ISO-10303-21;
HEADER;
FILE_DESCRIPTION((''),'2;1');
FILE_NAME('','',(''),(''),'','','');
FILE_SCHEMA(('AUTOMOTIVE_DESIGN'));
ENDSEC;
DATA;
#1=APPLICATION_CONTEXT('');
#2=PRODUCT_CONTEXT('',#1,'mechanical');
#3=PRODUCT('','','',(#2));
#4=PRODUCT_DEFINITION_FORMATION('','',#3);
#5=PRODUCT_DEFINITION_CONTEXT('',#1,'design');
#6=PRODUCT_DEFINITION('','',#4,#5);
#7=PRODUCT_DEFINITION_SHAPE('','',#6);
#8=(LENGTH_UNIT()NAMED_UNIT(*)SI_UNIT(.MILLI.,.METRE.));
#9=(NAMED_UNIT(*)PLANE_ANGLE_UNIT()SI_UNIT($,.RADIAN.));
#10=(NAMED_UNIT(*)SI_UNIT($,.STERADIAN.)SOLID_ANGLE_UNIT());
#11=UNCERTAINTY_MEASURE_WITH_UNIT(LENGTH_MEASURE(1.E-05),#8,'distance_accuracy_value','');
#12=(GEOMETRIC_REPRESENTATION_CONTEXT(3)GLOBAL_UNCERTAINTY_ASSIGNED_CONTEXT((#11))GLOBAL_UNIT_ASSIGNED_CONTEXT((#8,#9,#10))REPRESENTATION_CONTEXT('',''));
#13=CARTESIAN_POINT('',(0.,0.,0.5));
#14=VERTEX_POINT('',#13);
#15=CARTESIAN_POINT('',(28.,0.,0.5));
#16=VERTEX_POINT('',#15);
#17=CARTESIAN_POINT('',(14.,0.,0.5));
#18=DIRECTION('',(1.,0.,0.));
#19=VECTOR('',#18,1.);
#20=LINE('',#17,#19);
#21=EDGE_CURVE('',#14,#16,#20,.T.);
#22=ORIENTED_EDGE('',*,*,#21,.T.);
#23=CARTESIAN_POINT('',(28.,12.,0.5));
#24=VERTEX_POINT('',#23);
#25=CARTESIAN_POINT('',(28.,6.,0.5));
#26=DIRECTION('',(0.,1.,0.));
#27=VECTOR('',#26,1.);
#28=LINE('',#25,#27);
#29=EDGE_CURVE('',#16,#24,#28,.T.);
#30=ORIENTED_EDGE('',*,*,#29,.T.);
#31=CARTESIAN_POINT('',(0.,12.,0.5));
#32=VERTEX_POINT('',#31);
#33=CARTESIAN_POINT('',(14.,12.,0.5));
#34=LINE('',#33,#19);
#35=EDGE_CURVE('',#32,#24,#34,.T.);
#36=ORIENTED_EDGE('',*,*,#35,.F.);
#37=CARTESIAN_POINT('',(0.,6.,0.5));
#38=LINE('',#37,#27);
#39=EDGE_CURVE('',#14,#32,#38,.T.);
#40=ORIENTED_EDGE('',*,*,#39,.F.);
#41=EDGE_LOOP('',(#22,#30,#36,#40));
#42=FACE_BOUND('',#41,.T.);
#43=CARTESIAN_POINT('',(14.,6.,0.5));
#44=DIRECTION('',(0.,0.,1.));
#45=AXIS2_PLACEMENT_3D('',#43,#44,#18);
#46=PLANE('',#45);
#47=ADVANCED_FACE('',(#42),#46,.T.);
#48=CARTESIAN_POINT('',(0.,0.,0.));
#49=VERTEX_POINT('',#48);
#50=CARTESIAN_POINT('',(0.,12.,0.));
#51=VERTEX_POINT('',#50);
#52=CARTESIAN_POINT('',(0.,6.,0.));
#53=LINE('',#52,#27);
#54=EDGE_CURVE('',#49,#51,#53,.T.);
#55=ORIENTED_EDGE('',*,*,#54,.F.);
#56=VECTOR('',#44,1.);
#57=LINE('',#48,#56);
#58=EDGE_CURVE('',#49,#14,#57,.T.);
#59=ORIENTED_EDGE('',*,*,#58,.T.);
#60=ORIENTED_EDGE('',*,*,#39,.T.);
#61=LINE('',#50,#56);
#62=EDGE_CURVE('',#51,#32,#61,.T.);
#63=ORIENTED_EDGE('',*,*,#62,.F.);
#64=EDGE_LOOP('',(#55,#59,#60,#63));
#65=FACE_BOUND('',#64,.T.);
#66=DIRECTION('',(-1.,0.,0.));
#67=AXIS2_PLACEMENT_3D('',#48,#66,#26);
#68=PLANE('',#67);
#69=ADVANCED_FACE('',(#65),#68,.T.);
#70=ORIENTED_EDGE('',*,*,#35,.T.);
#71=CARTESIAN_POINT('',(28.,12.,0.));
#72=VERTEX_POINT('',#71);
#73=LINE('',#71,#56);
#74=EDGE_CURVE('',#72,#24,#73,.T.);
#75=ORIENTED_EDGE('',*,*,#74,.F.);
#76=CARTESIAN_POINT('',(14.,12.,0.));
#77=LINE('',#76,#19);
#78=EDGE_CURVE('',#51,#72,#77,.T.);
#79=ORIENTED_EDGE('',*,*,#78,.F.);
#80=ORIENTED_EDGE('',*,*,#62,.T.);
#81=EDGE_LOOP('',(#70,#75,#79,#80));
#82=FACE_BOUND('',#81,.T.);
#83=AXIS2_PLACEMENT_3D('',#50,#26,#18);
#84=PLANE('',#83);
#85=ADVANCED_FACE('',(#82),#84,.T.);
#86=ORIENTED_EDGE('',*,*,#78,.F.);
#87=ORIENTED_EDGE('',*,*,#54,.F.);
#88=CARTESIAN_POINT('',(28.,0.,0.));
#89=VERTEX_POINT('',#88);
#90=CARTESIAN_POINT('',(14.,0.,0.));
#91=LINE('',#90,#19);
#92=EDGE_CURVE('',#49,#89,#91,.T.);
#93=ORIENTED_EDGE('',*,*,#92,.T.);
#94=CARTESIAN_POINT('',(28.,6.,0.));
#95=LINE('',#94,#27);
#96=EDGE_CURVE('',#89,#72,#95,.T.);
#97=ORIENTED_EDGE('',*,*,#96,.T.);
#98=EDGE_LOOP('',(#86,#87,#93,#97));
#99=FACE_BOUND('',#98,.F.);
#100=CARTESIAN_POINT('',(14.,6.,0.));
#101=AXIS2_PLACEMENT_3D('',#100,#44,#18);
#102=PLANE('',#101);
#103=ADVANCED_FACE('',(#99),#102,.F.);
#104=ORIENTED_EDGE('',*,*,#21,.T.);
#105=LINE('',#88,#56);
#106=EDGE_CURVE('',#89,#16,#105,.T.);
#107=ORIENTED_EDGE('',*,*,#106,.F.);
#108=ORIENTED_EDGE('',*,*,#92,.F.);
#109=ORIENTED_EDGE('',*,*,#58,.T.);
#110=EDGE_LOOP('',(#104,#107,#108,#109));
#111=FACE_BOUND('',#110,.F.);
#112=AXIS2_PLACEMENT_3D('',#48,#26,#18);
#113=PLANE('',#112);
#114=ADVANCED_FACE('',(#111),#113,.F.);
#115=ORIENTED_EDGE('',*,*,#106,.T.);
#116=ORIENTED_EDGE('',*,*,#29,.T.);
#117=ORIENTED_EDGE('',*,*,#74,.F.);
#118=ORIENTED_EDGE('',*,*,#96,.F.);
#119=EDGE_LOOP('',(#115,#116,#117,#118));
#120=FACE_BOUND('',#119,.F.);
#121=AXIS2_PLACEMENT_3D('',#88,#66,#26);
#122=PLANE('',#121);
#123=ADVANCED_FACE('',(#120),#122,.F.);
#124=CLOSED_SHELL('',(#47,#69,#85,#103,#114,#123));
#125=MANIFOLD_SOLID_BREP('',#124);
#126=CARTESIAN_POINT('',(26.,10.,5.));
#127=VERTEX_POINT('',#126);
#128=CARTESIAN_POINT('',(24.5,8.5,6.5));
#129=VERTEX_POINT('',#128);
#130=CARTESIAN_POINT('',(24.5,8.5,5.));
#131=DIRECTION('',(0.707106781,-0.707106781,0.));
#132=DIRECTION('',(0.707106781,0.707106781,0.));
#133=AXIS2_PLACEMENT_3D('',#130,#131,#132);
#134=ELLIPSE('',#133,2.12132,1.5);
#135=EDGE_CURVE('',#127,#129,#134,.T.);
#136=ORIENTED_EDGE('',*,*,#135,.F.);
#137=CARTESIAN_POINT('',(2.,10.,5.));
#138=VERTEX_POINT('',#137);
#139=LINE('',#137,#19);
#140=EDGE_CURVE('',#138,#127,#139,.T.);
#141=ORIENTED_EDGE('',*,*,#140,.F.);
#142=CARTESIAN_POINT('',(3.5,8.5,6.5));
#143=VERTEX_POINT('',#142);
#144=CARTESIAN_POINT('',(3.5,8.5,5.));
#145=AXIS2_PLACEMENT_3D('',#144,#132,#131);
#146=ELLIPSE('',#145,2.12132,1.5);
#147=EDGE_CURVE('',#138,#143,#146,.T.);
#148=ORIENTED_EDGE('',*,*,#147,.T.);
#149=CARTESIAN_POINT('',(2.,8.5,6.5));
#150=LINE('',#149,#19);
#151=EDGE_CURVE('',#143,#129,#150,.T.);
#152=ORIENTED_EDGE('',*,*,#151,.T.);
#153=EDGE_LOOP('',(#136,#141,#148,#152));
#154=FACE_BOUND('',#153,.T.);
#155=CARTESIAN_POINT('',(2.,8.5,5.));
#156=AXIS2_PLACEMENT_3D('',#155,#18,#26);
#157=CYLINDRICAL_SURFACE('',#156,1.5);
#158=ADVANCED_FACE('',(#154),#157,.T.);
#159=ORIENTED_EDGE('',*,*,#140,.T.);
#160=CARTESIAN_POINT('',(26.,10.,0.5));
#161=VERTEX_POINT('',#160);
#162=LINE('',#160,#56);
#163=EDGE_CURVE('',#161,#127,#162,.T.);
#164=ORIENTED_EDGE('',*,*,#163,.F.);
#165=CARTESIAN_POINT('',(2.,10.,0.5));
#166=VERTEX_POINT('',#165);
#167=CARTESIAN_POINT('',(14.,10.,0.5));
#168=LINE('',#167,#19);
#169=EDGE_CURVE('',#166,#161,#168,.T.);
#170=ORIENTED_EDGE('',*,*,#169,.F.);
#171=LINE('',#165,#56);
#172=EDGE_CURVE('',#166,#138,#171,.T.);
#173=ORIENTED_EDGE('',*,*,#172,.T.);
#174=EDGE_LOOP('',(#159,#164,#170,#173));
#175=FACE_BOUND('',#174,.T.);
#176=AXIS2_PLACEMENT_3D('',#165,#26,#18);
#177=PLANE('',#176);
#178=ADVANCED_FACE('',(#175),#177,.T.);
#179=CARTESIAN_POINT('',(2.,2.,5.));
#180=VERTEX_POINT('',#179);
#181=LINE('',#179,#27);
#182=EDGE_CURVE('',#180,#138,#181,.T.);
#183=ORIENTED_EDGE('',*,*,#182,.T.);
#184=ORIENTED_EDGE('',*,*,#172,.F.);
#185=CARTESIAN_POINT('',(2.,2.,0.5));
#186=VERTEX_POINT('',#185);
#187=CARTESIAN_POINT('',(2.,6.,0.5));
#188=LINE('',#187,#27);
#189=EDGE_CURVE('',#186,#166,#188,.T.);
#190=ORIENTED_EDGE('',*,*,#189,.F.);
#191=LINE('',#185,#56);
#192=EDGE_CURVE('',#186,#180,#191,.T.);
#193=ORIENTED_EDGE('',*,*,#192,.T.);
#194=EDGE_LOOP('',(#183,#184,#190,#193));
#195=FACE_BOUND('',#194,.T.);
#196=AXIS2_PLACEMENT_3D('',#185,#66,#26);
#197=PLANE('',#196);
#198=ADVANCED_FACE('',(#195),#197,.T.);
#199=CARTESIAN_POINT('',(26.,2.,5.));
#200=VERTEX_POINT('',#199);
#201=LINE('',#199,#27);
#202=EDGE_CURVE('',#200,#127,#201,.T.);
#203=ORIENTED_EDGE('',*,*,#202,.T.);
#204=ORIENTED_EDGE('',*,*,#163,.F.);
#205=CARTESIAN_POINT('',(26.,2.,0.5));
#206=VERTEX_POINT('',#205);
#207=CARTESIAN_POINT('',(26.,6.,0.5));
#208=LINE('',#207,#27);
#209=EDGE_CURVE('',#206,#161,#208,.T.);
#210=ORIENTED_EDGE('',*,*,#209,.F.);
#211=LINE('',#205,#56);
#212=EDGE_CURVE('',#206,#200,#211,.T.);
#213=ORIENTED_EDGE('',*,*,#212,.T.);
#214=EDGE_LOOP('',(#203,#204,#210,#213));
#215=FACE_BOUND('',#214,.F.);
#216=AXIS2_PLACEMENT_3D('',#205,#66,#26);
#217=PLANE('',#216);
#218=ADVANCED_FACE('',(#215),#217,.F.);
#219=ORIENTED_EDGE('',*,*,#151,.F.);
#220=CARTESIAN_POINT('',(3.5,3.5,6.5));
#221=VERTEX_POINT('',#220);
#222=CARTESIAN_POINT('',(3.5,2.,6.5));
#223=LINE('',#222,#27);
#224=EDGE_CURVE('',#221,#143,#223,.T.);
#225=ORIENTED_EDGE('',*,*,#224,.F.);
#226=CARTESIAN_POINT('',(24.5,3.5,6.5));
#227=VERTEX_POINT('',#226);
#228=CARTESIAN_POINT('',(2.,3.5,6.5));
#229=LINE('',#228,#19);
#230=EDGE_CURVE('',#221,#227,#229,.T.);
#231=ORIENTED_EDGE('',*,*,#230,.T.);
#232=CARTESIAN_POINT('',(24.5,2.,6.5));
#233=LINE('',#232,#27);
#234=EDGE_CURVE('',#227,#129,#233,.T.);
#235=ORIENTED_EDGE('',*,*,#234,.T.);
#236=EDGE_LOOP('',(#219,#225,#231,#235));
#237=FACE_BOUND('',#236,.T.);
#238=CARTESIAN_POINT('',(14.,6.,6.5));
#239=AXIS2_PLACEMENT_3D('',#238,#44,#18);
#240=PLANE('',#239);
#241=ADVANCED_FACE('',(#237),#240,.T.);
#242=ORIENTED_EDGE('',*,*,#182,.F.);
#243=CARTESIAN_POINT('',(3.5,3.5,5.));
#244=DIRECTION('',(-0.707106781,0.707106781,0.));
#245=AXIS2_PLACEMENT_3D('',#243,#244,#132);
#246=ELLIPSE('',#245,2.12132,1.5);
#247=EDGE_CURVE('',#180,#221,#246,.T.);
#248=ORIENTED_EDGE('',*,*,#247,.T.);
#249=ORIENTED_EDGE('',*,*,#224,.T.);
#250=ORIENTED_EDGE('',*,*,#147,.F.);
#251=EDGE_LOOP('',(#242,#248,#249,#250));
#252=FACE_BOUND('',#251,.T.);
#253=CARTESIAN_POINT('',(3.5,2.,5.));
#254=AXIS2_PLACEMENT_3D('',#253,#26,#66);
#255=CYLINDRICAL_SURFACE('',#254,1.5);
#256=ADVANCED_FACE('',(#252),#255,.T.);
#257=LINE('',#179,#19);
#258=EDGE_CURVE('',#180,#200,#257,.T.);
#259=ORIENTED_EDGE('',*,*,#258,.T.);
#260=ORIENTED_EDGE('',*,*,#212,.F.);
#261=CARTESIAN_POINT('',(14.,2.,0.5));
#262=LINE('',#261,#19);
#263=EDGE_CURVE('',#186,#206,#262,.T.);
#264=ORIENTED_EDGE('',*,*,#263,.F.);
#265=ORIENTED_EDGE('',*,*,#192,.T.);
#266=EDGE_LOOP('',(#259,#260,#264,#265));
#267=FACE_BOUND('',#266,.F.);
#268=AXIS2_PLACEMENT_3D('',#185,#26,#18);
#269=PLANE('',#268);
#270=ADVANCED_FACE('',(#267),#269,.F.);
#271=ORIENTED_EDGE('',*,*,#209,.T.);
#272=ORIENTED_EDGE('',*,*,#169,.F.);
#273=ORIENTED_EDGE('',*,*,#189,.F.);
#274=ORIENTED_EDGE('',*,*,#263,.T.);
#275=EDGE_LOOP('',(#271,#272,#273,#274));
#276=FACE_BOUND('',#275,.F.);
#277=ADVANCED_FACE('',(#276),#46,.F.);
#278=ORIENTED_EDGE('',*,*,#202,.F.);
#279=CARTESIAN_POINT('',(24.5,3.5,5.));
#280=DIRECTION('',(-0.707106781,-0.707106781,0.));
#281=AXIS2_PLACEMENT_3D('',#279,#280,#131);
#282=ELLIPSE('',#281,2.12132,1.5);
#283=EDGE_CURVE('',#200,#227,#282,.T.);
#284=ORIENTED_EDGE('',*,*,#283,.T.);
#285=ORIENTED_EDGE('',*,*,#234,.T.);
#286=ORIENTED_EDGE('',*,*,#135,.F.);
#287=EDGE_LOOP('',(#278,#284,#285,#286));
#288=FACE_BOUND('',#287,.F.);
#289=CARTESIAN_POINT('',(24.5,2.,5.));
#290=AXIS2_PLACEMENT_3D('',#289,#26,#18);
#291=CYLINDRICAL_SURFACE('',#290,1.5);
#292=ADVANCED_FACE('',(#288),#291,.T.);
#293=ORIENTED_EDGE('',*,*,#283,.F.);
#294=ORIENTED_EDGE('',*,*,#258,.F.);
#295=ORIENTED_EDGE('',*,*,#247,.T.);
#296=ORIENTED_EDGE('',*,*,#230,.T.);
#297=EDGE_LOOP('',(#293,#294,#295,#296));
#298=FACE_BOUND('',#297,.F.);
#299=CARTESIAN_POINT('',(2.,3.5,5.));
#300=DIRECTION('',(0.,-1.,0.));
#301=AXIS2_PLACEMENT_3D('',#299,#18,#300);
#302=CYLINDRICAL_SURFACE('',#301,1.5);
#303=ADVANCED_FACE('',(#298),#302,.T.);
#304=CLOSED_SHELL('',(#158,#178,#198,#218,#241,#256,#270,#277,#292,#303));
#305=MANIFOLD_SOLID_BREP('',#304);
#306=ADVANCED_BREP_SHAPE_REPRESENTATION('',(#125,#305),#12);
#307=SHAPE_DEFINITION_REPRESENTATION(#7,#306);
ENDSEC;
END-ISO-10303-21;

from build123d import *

# Parameters (mm, degrees)
SKETCH_W     = 28
SKETCH_H     = 12
PAD_DEPTH    = 0.5
SKETCH001_W  = 24
SKETCH001_H  = 8
PAD001_DEPTH = 6
FILLET_R     = 1.5


with BuildPart() as pad:
    # Sketch → Pad (new body)
    with BuildSketch(Plane.XY):
        with Locations((14, 6)):
            Rectangle(SKETCH_W, SKETCH_H)
    extrude(amount=PAD_DEPTH)


with BuildPart() as fillet_body:
    # Sketch001 → Pad001 (new body)
    with BuildSketch(Plane.XY.offset(0.5)):
        with Locations((14, 6)):
            Rectangle(SKETCH001_W, SKETCH001_H)
    extrude(amount=PAD001_DEPTH)

    # Fillet
    fillet_edges = [fillet_body.edges().sort_by_distance(p)[0] for p in [
        (14, 2, 6.5),
        (26, 6, 6.5),
        (14, 10, 6.5),
        (2, 6, 6.5),
    ]]
    fillet(fillet_edges, radius=FILLET_R)


solid = Compound([pad.part, fillet_body.part])
